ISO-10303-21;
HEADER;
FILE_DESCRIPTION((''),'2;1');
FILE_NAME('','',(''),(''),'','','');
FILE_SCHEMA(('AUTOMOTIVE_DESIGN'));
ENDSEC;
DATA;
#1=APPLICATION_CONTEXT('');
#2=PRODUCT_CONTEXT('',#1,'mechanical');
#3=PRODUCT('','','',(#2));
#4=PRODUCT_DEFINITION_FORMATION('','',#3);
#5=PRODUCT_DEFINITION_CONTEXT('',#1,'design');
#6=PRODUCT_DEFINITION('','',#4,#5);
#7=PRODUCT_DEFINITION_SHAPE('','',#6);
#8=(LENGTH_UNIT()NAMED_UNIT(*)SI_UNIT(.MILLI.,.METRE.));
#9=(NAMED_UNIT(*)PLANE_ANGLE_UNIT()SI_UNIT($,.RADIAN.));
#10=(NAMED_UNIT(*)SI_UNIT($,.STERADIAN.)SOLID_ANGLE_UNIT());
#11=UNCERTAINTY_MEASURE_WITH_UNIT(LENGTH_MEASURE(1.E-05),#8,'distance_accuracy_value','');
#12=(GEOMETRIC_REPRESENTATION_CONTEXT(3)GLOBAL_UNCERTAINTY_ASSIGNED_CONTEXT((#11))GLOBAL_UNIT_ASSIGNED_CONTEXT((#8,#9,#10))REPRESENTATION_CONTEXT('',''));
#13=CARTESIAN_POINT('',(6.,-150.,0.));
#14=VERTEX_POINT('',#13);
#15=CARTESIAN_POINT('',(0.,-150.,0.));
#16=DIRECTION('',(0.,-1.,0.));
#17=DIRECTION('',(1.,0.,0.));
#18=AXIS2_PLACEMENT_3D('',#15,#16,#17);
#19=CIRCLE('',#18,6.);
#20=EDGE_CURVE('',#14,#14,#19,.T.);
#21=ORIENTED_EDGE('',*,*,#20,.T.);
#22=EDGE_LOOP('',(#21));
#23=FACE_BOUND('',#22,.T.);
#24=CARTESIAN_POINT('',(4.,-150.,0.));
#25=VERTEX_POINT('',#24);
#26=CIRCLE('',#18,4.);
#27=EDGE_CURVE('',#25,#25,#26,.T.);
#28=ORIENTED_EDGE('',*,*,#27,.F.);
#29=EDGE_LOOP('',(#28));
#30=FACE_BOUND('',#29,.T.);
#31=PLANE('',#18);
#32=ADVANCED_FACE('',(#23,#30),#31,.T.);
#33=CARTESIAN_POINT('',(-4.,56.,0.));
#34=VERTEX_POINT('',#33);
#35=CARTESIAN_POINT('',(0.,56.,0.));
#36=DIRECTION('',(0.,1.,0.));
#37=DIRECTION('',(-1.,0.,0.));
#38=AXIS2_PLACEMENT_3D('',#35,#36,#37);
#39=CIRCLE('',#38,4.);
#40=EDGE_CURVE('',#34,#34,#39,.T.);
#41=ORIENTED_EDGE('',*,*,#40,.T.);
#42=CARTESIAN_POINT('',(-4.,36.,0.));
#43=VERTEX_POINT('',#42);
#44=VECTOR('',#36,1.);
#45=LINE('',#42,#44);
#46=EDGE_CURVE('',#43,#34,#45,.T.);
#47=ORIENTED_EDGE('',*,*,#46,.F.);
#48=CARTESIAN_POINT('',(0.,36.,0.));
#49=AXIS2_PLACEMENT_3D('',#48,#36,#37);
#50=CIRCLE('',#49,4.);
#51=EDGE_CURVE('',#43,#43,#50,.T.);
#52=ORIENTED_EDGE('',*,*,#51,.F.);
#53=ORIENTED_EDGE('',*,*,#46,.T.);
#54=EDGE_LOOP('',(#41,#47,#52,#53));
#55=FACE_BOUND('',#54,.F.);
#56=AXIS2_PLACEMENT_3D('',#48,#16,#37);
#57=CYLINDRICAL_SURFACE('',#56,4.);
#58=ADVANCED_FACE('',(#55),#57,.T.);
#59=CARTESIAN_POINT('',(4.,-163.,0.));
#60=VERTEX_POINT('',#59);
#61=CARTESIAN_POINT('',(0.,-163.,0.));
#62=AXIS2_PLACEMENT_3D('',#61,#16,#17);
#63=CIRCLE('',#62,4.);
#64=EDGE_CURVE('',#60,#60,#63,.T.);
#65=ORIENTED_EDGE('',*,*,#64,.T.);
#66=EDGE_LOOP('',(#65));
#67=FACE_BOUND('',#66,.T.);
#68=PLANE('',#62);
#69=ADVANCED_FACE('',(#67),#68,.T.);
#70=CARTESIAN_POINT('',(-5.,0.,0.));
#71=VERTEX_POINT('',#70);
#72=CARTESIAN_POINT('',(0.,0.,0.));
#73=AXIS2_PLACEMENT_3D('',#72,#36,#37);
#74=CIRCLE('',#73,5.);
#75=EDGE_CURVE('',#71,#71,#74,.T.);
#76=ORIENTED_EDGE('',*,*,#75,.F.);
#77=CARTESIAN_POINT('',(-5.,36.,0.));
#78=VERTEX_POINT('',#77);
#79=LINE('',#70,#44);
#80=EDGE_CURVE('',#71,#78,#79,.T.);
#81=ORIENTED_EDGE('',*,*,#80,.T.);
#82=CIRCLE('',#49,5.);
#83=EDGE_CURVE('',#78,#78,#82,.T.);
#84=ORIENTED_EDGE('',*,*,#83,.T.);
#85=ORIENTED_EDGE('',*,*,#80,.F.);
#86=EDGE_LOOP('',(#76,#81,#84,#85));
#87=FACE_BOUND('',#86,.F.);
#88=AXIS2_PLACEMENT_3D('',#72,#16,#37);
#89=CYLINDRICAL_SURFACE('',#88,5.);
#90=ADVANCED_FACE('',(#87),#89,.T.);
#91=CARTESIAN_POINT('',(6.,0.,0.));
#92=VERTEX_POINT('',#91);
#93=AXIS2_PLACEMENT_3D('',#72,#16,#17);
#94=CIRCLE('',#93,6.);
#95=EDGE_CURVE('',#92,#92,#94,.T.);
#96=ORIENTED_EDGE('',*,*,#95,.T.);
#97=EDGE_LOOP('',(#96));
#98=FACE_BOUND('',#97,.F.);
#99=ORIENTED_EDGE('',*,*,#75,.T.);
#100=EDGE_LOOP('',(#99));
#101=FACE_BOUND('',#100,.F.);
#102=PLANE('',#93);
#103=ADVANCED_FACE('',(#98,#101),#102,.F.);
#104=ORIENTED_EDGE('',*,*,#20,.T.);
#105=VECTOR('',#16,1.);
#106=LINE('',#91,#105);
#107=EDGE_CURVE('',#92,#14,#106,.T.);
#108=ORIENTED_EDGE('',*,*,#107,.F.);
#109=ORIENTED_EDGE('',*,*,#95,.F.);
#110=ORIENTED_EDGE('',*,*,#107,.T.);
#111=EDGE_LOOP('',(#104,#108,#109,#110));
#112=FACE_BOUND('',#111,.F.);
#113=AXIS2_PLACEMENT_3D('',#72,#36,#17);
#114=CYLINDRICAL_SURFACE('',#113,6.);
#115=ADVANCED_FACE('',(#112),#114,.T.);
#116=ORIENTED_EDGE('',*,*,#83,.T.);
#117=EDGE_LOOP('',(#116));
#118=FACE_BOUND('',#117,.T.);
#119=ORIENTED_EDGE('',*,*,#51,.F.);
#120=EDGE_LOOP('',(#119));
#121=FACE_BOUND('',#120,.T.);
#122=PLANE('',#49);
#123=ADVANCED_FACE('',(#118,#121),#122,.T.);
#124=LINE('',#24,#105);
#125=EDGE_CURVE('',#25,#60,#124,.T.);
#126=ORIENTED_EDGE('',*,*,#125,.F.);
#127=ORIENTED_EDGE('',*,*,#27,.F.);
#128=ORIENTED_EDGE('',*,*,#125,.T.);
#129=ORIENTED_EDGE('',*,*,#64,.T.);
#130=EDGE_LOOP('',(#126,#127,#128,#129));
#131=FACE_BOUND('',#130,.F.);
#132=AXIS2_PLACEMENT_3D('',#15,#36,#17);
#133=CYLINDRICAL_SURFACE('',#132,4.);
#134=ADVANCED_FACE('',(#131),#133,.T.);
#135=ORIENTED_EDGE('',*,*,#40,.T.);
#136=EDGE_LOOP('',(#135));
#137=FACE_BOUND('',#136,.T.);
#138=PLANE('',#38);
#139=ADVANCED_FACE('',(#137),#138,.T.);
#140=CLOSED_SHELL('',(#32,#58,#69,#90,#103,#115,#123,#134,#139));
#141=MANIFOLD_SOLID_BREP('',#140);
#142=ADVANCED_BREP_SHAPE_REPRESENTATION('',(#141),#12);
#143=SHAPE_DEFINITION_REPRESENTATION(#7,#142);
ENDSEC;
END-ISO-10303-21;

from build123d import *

# Parameters (mm, degrees)
F0_R     = 6
F1_DEPTH = 150
F2_R     = 5
F3_DEPTH = 36
F4_R     = 4
F5_DEPTH = 20
F6_R     = 4
F7_DEPTH = 13


with BuildPart() as f1:
    # F0 (on Front) → F1 (new body)
    with BuildSketch(Plane.XZ):
        Circle(F0_R)
    extrude(amount=F1_DEPTH)

    # F2 (on face) → F3 (join)
    with BuildSketch(Plane(origin=(0, 0, 0), x_dir=(-1, 0, 0), z_dir=(0, 1, 0))):
        Circle(F2_R)
    extrude(amount=F3_DEPTH)

    # F4 (on face) → F5 (join)
    with BuildSketch(Plane(origin=(0, 36, 0), x_dir=(-1, 0, 0), z_dir=(0, 1, 0))):
        Circle(F4_R)
    extrude(amount=F5_DEPTH)

    # F6 (on face) → F7 (join)
    with BuildSketch(Plane.XZ.offset(150)):
        Circle(F6_R)
    extrude(amount=F7_DEPTH)


solid = f1.part
